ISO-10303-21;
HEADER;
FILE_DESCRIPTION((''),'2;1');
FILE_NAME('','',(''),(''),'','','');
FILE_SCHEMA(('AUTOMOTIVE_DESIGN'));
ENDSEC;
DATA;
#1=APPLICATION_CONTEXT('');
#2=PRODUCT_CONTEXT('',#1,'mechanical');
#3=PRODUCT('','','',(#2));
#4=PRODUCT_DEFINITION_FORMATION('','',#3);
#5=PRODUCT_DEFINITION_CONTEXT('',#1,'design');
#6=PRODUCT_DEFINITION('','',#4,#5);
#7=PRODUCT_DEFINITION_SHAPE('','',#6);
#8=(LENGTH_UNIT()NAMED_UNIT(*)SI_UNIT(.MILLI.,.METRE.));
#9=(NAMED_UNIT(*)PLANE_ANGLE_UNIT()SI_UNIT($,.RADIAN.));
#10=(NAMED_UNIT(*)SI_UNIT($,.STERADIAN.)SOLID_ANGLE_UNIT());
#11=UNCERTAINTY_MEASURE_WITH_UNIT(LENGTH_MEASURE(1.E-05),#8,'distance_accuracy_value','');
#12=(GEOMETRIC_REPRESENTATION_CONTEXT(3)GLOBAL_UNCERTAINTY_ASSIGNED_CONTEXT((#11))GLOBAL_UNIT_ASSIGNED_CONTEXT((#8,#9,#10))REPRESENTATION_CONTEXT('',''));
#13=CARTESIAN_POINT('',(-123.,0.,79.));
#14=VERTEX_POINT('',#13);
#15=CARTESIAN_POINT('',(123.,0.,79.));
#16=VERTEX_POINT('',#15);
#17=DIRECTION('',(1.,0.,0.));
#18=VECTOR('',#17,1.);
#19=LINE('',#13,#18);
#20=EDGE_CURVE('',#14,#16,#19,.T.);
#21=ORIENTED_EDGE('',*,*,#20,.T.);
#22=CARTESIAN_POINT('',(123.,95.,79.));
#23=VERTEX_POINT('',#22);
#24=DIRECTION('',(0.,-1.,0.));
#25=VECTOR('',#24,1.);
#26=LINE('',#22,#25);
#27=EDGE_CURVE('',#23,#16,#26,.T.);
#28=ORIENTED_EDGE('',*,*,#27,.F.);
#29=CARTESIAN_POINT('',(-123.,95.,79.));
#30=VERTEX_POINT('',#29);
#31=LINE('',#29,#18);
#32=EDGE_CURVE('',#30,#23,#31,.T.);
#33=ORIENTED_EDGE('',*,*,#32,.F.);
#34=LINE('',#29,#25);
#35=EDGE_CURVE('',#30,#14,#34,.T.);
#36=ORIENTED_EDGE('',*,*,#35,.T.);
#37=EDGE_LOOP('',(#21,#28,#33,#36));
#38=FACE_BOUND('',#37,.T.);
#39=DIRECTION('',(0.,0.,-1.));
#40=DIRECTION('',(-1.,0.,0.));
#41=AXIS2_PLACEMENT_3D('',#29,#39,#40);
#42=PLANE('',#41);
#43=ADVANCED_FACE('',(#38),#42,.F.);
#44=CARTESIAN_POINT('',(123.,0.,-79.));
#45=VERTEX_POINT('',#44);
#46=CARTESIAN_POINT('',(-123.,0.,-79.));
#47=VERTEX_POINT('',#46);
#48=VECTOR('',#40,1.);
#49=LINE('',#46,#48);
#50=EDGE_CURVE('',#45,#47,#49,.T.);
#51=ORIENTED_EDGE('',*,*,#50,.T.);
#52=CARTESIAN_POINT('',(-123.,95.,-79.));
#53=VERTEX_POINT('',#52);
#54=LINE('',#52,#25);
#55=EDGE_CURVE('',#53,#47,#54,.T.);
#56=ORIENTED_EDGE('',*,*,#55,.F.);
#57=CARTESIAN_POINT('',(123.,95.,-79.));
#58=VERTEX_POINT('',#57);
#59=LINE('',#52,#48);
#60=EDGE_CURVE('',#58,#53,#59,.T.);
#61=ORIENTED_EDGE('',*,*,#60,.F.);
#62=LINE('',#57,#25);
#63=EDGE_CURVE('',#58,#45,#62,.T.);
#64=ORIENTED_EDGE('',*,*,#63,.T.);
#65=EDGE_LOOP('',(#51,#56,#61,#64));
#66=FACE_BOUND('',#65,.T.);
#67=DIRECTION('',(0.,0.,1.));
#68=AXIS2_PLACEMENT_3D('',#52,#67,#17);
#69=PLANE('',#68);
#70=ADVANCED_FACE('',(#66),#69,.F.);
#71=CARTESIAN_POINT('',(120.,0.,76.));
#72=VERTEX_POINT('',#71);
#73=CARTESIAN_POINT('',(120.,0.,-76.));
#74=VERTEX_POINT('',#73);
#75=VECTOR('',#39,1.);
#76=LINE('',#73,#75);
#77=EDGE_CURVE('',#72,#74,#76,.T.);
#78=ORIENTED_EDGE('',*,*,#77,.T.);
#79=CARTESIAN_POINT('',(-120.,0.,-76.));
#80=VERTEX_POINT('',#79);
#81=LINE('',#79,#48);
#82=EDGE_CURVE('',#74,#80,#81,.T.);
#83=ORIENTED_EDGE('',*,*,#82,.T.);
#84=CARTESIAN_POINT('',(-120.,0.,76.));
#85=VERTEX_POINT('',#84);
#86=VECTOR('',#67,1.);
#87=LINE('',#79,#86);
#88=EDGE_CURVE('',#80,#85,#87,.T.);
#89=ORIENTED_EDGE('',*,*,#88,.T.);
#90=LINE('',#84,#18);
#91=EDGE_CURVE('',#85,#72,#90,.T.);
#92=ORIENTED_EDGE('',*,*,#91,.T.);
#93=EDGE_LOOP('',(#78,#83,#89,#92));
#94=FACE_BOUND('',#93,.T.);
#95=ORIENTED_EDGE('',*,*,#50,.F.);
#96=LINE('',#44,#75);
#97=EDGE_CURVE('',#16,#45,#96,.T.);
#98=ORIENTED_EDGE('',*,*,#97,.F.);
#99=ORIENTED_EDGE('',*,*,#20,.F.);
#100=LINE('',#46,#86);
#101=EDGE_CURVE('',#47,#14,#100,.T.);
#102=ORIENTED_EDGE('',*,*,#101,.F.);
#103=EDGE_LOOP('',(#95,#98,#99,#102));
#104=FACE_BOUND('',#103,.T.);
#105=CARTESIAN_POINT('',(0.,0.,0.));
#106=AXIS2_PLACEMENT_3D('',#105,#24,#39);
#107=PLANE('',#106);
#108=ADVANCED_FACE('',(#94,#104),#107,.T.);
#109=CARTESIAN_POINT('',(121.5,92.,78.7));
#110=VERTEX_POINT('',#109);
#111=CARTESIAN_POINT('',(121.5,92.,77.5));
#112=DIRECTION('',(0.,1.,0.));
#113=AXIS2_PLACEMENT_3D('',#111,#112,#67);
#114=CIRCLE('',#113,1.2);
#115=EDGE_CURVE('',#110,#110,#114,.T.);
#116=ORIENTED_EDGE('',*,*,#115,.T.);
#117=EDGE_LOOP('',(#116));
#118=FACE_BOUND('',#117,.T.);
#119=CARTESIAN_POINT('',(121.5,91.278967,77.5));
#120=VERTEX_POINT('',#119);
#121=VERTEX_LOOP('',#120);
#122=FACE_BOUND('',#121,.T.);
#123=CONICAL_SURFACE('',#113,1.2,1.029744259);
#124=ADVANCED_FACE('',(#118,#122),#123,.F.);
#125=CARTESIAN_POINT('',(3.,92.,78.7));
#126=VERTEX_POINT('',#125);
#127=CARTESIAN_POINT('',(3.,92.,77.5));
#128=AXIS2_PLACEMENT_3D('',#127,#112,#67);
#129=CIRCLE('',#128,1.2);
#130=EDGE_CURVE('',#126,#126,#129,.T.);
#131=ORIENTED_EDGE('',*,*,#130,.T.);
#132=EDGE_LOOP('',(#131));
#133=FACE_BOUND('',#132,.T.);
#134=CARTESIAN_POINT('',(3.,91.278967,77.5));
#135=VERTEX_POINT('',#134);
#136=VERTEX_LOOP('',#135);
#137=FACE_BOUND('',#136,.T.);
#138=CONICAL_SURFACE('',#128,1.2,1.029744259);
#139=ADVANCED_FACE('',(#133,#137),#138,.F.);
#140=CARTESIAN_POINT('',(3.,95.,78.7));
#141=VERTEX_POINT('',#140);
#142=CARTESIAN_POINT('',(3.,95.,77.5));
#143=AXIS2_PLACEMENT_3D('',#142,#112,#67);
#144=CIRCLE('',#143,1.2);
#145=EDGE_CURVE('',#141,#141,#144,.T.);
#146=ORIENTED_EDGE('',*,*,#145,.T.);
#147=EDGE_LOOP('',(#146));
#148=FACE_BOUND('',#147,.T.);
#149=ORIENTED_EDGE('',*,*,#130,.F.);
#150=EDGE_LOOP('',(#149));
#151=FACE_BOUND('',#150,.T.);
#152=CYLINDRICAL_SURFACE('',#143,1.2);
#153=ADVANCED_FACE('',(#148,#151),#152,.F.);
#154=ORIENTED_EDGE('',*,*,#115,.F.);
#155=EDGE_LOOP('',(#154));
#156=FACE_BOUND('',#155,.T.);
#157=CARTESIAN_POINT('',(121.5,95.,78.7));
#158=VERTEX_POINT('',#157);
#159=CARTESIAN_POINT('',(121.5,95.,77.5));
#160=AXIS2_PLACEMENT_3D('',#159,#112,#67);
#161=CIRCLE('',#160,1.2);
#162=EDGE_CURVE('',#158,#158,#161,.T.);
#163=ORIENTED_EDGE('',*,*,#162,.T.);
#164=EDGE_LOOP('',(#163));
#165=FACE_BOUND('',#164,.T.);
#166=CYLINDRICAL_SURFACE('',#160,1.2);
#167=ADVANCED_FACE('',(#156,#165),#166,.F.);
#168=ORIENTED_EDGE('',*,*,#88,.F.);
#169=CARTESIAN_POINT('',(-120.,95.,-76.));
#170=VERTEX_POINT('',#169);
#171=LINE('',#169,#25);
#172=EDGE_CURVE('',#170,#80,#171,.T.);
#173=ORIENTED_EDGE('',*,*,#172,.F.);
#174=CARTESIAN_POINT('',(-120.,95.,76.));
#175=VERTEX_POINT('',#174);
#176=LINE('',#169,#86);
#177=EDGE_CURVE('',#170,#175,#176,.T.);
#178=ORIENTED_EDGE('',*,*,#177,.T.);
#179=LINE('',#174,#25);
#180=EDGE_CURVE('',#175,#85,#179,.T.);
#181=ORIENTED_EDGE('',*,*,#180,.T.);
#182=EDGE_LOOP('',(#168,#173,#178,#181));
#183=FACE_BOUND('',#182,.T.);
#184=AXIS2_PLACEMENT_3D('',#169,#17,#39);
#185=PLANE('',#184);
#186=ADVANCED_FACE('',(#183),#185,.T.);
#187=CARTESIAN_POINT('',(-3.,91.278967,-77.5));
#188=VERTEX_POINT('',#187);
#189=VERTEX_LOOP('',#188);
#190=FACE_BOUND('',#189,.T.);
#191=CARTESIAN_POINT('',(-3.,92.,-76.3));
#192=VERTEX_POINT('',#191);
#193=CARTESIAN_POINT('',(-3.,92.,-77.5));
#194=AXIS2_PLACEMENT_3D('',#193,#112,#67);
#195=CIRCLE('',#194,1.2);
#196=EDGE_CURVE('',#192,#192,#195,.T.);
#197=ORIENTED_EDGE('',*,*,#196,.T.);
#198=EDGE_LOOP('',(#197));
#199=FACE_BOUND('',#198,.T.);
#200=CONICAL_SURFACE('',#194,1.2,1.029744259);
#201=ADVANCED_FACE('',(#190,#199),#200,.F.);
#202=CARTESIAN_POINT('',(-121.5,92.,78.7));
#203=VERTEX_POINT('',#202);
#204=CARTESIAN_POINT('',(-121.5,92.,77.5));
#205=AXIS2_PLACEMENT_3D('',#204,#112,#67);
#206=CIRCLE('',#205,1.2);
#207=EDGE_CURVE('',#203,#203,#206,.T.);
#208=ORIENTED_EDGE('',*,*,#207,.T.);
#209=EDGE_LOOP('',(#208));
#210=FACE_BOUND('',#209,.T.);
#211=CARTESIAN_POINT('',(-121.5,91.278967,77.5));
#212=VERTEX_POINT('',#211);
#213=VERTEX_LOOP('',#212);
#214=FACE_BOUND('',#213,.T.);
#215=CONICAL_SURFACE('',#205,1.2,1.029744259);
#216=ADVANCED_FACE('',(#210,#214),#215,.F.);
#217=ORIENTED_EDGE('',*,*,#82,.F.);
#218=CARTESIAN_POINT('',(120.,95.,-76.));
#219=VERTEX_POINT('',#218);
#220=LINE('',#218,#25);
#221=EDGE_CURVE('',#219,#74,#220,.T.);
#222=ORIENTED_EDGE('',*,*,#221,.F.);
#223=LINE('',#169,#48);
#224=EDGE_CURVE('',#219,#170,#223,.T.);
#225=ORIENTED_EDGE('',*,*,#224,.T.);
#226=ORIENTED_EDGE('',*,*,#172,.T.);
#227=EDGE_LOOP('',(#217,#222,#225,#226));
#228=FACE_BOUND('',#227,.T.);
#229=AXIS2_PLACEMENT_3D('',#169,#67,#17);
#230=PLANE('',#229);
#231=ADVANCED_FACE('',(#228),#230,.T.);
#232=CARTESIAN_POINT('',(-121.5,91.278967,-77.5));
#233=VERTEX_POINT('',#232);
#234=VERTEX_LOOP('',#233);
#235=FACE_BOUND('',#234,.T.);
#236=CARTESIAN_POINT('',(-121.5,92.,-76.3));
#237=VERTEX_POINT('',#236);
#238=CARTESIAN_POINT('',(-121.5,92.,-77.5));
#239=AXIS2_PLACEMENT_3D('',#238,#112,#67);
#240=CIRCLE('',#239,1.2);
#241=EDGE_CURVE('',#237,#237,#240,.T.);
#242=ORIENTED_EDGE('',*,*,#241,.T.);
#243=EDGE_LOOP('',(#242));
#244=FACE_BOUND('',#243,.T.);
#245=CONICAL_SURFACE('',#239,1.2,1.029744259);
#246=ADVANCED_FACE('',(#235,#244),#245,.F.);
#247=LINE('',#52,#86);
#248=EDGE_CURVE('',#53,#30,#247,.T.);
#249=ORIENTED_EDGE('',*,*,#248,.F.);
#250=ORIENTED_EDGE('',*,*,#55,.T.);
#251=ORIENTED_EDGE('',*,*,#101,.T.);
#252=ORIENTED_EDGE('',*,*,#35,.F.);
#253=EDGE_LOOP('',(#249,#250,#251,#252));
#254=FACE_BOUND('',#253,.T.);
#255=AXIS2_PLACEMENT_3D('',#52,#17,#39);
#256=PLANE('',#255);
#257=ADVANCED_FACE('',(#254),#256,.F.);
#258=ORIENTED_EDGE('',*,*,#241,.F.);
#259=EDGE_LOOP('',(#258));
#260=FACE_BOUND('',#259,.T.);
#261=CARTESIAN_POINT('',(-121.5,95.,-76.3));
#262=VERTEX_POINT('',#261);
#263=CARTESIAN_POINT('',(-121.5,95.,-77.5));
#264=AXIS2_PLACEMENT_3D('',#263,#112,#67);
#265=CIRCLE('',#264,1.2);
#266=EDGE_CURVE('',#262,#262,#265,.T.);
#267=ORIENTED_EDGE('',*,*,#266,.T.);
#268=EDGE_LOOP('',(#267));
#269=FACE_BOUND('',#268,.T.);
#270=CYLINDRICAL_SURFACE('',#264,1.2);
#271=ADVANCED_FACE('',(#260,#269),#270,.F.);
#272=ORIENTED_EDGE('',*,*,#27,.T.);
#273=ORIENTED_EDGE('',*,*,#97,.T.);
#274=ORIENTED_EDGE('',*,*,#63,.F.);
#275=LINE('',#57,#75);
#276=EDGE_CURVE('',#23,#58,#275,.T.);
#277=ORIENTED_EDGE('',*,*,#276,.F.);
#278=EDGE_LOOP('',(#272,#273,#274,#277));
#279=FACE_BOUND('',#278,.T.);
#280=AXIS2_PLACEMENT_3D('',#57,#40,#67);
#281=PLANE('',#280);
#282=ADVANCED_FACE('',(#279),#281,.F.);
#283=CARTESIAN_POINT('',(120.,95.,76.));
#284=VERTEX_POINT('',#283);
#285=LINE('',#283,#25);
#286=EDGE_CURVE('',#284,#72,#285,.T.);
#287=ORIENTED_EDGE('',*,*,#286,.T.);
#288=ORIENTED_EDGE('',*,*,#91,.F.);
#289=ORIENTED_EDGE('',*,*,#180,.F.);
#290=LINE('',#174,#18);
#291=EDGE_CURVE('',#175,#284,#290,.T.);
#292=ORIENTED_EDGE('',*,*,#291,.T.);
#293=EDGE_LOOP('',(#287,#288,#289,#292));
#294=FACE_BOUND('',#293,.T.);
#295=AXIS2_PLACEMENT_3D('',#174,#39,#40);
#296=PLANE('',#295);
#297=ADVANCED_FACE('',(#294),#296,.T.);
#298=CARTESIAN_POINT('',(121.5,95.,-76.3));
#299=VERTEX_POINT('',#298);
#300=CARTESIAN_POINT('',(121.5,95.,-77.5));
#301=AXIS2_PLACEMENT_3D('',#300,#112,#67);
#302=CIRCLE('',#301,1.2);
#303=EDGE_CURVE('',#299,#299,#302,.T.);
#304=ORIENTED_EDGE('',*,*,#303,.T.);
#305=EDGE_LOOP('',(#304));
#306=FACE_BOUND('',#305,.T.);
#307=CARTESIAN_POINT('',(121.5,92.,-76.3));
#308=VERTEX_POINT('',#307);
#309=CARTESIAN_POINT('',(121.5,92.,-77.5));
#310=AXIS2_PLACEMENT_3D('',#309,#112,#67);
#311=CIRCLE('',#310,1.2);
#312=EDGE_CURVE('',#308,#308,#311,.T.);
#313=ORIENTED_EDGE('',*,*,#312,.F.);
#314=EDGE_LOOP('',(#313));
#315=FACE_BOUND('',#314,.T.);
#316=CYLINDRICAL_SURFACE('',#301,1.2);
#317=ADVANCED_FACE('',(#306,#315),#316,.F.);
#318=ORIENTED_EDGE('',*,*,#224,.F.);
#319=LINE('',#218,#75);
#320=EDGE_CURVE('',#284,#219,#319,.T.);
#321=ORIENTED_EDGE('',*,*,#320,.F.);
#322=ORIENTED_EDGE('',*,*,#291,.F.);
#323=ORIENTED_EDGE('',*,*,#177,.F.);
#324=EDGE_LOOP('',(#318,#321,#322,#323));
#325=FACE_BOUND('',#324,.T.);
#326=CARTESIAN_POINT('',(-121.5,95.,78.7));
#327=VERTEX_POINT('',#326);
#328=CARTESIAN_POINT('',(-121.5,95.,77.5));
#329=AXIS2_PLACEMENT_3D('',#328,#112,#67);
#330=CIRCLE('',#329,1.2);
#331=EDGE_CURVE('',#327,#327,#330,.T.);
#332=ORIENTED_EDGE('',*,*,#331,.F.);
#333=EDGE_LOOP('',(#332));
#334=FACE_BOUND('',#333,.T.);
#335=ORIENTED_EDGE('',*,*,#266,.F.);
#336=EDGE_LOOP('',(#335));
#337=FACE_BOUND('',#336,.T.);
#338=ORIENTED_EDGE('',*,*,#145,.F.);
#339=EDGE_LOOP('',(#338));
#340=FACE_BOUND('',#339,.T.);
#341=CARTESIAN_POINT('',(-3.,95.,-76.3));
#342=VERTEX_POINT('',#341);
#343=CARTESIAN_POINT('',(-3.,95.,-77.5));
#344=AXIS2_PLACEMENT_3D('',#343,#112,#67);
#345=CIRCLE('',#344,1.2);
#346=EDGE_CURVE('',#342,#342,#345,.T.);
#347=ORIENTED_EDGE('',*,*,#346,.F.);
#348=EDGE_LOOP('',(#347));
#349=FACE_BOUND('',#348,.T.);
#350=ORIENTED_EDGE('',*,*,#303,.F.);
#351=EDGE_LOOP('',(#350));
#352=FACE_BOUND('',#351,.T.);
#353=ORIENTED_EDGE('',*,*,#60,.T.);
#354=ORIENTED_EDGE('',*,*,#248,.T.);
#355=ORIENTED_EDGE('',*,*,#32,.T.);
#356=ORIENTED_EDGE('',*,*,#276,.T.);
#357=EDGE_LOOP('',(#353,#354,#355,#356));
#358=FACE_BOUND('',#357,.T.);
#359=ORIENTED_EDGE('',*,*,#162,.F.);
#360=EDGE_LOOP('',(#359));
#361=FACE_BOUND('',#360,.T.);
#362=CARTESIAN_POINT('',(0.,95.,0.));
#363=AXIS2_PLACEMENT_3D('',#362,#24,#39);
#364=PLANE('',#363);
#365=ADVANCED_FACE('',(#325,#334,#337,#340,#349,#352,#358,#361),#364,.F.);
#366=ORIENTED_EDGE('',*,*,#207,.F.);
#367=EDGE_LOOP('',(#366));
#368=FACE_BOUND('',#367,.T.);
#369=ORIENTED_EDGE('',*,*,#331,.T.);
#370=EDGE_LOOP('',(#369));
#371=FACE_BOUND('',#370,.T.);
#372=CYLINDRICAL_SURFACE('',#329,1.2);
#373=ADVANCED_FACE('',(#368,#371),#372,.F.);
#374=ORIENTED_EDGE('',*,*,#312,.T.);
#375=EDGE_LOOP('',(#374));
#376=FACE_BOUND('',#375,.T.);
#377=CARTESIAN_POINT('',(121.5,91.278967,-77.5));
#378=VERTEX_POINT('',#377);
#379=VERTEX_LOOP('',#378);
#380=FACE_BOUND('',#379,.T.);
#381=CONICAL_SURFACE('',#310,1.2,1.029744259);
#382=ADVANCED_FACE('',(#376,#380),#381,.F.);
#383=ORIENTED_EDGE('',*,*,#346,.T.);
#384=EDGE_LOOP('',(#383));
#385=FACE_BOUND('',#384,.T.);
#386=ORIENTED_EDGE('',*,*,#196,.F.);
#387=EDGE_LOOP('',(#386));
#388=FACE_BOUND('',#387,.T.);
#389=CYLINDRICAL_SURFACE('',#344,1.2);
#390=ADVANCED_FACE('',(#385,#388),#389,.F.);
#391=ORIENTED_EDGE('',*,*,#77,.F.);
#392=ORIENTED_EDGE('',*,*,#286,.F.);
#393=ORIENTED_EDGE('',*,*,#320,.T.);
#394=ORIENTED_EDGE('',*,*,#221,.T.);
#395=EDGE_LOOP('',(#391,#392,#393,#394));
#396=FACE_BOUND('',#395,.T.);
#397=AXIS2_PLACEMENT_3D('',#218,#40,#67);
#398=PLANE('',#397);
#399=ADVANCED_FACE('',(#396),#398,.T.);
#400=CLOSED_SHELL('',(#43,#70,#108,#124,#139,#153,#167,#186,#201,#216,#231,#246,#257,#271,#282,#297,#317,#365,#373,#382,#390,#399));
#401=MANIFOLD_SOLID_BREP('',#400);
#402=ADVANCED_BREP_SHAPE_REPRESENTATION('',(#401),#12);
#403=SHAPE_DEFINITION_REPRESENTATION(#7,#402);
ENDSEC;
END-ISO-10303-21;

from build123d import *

# Parameters (mm, degrees)
SKETCH5_W                = 246
SKETCH5_H                = 158
SKETCH5_W_2              = 240
SKETCH5_H_2              = 152
BOSS_EXTRUDE1_DEPTH      = 95
M2_CLEARANCE_HOLE1_D     = 2.4
M2_CLEARANCE_HOLE1_DEPTH = 3
M2_CLEARANCE_HOLE1_TIP   = 0.721032743


with BuildPart() as part:
    # Sketch5 → Boss-Extrude1 (new body)
    with BuildSketch(Plane(origin=(0, 0, 0), x_dir=(1, 0, 0), z_dir=(0, 1, 0))):
        Rectangle(SKETCH5_W, SKETCH5_H)
        Rectangle(SKETCH5_W_2, SKETCH5_H_2, mode=Mode.SUBTRACT)
    extrude(amount=BOSS_EXTRUDE1_DEPTH)

    # M2 Clearance Hole1
    with Locations(Plane(origin=(-121.5, 95, -77.5), x_dir=(0, 0, 1), z_dir=(0, 1, 0))):
        with Locations((0, 0), (155, 0), (155, 243), (0, 243), (0, 118.5), (155, 124.5)):
            Hole(M2_CLEARANCE_HOLE1_D / 2, depth=M2_CLEARANCE_HOLE1_DEPTH)
            with Locations((0, 0, -(M2_CLEARANCE_HOLE1_DEPTH + M2_CLEARANCE_HOLE1_TIP / 2))):  # 118° drill point
                Cone(0, M2_CLEARANCE_HOLE1_D / 2, M2_CLEARANCE_HOLE1_TIP, mode=Mode.SUBTRACT)


solid = part.part
